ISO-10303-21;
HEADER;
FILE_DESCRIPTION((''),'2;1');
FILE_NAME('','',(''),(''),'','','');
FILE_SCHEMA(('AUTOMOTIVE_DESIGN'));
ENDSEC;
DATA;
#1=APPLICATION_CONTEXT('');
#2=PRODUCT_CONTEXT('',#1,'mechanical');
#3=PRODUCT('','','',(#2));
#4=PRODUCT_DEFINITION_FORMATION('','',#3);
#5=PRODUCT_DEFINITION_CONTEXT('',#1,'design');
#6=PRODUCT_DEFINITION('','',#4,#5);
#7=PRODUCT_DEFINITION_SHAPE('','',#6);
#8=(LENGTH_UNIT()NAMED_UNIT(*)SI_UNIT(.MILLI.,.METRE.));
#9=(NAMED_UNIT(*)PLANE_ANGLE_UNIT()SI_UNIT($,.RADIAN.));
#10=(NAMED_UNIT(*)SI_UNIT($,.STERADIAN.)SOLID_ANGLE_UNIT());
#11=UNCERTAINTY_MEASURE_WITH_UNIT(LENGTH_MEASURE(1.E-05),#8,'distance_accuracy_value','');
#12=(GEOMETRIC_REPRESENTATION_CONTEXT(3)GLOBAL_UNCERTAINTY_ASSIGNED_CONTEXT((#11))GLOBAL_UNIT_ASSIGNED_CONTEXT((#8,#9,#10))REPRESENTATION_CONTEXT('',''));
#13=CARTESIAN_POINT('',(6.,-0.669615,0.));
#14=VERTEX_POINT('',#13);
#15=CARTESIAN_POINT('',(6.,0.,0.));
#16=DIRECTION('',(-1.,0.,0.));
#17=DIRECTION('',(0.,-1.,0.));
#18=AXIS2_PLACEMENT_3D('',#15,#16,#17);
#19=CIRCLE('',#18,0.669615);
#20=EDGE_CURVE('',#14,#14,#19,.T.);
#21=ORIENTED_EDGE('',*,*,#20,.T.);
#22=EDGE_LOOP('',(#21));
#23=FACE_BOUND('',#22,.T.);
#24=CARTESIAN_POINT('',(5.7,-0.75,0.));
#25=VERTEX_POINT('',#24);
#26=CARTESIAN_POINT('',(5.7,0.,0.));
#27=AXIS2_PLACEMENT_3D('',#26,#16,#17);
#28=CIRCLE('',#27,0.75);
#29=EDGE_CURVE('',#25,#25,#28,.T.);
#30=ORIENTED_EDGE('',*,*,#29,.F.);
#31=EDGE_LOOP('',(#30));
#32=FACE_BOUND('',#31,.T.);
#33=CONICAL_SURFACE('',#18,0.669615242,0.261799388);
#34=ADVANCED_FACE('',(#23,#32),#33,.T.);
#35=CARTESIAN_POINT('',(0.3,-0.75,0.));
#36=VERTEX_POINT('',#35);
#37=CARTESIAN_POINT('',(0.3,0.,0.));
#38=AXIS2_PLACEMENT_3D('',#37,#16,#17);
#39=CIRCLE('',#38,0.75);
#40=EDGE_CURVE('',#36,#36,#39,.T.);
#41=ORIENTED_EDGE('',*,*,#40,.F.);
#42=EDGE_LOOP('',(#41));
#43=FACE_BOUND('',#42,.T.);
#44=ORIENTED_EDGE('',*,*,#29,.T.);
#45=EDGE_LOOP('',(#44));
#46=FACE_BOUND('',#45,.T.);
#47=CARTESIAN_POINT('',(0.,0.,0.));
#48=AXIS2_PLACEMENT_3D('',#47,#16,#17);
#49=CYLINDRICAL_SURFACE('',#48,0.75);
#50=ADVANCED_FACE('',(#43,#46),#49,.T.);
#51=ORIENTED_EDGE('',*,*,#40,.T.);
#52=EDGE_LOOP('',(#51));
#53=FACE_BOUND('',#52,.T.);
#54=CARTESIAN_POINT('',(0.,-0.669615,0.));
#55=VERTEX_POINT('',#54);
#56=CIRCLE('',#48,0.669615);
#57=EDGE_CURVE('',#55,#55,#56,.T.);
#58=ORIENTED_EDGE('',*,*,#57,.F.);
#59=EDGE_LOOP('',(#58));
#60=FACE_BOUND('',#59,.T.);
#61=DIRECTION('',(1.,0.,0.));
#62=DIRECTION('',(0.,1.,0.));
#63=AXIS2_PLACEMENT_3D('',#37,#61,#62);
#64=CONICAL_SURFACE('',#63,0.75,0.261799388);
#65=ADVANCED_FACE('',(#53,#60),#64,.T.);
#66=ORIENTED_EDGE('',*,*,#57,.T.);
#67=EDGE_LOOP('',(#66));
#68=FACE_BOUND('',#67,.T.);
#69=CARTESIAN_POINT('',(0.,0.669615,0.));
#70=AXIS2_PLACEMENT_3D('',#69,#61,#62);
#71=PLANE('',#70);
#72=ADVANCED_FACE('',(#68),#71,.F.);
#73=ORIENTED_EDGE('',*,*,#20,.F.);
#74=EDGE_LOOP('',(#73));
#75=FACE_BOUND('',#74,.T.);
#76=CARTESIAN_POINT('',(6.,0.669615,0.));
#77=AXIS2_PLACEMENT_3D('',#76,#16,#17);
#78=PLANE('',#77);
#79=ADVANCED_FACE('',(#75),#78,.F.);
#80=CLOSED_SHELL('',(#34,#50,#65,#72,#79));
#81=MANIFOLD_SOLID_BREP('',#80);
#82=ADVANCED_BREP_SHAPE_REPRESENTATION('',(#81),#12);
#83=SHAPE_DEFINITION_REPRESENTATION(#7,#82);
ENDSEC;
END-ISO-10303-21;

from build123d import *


with BuildPart() as part:
    # Sketch2 → Body (revolve)
    with BuildSketch(Plane.XY):
        Polygon((6, 0.669615242), (6, 0), (0, 0), (0, 0.669615242), (0.3, 0.75), (5.7, 0.75), align=None)
    revolve(axis=Axis((0, 0, 0), (1, 0, 0)))


solid = part.part
